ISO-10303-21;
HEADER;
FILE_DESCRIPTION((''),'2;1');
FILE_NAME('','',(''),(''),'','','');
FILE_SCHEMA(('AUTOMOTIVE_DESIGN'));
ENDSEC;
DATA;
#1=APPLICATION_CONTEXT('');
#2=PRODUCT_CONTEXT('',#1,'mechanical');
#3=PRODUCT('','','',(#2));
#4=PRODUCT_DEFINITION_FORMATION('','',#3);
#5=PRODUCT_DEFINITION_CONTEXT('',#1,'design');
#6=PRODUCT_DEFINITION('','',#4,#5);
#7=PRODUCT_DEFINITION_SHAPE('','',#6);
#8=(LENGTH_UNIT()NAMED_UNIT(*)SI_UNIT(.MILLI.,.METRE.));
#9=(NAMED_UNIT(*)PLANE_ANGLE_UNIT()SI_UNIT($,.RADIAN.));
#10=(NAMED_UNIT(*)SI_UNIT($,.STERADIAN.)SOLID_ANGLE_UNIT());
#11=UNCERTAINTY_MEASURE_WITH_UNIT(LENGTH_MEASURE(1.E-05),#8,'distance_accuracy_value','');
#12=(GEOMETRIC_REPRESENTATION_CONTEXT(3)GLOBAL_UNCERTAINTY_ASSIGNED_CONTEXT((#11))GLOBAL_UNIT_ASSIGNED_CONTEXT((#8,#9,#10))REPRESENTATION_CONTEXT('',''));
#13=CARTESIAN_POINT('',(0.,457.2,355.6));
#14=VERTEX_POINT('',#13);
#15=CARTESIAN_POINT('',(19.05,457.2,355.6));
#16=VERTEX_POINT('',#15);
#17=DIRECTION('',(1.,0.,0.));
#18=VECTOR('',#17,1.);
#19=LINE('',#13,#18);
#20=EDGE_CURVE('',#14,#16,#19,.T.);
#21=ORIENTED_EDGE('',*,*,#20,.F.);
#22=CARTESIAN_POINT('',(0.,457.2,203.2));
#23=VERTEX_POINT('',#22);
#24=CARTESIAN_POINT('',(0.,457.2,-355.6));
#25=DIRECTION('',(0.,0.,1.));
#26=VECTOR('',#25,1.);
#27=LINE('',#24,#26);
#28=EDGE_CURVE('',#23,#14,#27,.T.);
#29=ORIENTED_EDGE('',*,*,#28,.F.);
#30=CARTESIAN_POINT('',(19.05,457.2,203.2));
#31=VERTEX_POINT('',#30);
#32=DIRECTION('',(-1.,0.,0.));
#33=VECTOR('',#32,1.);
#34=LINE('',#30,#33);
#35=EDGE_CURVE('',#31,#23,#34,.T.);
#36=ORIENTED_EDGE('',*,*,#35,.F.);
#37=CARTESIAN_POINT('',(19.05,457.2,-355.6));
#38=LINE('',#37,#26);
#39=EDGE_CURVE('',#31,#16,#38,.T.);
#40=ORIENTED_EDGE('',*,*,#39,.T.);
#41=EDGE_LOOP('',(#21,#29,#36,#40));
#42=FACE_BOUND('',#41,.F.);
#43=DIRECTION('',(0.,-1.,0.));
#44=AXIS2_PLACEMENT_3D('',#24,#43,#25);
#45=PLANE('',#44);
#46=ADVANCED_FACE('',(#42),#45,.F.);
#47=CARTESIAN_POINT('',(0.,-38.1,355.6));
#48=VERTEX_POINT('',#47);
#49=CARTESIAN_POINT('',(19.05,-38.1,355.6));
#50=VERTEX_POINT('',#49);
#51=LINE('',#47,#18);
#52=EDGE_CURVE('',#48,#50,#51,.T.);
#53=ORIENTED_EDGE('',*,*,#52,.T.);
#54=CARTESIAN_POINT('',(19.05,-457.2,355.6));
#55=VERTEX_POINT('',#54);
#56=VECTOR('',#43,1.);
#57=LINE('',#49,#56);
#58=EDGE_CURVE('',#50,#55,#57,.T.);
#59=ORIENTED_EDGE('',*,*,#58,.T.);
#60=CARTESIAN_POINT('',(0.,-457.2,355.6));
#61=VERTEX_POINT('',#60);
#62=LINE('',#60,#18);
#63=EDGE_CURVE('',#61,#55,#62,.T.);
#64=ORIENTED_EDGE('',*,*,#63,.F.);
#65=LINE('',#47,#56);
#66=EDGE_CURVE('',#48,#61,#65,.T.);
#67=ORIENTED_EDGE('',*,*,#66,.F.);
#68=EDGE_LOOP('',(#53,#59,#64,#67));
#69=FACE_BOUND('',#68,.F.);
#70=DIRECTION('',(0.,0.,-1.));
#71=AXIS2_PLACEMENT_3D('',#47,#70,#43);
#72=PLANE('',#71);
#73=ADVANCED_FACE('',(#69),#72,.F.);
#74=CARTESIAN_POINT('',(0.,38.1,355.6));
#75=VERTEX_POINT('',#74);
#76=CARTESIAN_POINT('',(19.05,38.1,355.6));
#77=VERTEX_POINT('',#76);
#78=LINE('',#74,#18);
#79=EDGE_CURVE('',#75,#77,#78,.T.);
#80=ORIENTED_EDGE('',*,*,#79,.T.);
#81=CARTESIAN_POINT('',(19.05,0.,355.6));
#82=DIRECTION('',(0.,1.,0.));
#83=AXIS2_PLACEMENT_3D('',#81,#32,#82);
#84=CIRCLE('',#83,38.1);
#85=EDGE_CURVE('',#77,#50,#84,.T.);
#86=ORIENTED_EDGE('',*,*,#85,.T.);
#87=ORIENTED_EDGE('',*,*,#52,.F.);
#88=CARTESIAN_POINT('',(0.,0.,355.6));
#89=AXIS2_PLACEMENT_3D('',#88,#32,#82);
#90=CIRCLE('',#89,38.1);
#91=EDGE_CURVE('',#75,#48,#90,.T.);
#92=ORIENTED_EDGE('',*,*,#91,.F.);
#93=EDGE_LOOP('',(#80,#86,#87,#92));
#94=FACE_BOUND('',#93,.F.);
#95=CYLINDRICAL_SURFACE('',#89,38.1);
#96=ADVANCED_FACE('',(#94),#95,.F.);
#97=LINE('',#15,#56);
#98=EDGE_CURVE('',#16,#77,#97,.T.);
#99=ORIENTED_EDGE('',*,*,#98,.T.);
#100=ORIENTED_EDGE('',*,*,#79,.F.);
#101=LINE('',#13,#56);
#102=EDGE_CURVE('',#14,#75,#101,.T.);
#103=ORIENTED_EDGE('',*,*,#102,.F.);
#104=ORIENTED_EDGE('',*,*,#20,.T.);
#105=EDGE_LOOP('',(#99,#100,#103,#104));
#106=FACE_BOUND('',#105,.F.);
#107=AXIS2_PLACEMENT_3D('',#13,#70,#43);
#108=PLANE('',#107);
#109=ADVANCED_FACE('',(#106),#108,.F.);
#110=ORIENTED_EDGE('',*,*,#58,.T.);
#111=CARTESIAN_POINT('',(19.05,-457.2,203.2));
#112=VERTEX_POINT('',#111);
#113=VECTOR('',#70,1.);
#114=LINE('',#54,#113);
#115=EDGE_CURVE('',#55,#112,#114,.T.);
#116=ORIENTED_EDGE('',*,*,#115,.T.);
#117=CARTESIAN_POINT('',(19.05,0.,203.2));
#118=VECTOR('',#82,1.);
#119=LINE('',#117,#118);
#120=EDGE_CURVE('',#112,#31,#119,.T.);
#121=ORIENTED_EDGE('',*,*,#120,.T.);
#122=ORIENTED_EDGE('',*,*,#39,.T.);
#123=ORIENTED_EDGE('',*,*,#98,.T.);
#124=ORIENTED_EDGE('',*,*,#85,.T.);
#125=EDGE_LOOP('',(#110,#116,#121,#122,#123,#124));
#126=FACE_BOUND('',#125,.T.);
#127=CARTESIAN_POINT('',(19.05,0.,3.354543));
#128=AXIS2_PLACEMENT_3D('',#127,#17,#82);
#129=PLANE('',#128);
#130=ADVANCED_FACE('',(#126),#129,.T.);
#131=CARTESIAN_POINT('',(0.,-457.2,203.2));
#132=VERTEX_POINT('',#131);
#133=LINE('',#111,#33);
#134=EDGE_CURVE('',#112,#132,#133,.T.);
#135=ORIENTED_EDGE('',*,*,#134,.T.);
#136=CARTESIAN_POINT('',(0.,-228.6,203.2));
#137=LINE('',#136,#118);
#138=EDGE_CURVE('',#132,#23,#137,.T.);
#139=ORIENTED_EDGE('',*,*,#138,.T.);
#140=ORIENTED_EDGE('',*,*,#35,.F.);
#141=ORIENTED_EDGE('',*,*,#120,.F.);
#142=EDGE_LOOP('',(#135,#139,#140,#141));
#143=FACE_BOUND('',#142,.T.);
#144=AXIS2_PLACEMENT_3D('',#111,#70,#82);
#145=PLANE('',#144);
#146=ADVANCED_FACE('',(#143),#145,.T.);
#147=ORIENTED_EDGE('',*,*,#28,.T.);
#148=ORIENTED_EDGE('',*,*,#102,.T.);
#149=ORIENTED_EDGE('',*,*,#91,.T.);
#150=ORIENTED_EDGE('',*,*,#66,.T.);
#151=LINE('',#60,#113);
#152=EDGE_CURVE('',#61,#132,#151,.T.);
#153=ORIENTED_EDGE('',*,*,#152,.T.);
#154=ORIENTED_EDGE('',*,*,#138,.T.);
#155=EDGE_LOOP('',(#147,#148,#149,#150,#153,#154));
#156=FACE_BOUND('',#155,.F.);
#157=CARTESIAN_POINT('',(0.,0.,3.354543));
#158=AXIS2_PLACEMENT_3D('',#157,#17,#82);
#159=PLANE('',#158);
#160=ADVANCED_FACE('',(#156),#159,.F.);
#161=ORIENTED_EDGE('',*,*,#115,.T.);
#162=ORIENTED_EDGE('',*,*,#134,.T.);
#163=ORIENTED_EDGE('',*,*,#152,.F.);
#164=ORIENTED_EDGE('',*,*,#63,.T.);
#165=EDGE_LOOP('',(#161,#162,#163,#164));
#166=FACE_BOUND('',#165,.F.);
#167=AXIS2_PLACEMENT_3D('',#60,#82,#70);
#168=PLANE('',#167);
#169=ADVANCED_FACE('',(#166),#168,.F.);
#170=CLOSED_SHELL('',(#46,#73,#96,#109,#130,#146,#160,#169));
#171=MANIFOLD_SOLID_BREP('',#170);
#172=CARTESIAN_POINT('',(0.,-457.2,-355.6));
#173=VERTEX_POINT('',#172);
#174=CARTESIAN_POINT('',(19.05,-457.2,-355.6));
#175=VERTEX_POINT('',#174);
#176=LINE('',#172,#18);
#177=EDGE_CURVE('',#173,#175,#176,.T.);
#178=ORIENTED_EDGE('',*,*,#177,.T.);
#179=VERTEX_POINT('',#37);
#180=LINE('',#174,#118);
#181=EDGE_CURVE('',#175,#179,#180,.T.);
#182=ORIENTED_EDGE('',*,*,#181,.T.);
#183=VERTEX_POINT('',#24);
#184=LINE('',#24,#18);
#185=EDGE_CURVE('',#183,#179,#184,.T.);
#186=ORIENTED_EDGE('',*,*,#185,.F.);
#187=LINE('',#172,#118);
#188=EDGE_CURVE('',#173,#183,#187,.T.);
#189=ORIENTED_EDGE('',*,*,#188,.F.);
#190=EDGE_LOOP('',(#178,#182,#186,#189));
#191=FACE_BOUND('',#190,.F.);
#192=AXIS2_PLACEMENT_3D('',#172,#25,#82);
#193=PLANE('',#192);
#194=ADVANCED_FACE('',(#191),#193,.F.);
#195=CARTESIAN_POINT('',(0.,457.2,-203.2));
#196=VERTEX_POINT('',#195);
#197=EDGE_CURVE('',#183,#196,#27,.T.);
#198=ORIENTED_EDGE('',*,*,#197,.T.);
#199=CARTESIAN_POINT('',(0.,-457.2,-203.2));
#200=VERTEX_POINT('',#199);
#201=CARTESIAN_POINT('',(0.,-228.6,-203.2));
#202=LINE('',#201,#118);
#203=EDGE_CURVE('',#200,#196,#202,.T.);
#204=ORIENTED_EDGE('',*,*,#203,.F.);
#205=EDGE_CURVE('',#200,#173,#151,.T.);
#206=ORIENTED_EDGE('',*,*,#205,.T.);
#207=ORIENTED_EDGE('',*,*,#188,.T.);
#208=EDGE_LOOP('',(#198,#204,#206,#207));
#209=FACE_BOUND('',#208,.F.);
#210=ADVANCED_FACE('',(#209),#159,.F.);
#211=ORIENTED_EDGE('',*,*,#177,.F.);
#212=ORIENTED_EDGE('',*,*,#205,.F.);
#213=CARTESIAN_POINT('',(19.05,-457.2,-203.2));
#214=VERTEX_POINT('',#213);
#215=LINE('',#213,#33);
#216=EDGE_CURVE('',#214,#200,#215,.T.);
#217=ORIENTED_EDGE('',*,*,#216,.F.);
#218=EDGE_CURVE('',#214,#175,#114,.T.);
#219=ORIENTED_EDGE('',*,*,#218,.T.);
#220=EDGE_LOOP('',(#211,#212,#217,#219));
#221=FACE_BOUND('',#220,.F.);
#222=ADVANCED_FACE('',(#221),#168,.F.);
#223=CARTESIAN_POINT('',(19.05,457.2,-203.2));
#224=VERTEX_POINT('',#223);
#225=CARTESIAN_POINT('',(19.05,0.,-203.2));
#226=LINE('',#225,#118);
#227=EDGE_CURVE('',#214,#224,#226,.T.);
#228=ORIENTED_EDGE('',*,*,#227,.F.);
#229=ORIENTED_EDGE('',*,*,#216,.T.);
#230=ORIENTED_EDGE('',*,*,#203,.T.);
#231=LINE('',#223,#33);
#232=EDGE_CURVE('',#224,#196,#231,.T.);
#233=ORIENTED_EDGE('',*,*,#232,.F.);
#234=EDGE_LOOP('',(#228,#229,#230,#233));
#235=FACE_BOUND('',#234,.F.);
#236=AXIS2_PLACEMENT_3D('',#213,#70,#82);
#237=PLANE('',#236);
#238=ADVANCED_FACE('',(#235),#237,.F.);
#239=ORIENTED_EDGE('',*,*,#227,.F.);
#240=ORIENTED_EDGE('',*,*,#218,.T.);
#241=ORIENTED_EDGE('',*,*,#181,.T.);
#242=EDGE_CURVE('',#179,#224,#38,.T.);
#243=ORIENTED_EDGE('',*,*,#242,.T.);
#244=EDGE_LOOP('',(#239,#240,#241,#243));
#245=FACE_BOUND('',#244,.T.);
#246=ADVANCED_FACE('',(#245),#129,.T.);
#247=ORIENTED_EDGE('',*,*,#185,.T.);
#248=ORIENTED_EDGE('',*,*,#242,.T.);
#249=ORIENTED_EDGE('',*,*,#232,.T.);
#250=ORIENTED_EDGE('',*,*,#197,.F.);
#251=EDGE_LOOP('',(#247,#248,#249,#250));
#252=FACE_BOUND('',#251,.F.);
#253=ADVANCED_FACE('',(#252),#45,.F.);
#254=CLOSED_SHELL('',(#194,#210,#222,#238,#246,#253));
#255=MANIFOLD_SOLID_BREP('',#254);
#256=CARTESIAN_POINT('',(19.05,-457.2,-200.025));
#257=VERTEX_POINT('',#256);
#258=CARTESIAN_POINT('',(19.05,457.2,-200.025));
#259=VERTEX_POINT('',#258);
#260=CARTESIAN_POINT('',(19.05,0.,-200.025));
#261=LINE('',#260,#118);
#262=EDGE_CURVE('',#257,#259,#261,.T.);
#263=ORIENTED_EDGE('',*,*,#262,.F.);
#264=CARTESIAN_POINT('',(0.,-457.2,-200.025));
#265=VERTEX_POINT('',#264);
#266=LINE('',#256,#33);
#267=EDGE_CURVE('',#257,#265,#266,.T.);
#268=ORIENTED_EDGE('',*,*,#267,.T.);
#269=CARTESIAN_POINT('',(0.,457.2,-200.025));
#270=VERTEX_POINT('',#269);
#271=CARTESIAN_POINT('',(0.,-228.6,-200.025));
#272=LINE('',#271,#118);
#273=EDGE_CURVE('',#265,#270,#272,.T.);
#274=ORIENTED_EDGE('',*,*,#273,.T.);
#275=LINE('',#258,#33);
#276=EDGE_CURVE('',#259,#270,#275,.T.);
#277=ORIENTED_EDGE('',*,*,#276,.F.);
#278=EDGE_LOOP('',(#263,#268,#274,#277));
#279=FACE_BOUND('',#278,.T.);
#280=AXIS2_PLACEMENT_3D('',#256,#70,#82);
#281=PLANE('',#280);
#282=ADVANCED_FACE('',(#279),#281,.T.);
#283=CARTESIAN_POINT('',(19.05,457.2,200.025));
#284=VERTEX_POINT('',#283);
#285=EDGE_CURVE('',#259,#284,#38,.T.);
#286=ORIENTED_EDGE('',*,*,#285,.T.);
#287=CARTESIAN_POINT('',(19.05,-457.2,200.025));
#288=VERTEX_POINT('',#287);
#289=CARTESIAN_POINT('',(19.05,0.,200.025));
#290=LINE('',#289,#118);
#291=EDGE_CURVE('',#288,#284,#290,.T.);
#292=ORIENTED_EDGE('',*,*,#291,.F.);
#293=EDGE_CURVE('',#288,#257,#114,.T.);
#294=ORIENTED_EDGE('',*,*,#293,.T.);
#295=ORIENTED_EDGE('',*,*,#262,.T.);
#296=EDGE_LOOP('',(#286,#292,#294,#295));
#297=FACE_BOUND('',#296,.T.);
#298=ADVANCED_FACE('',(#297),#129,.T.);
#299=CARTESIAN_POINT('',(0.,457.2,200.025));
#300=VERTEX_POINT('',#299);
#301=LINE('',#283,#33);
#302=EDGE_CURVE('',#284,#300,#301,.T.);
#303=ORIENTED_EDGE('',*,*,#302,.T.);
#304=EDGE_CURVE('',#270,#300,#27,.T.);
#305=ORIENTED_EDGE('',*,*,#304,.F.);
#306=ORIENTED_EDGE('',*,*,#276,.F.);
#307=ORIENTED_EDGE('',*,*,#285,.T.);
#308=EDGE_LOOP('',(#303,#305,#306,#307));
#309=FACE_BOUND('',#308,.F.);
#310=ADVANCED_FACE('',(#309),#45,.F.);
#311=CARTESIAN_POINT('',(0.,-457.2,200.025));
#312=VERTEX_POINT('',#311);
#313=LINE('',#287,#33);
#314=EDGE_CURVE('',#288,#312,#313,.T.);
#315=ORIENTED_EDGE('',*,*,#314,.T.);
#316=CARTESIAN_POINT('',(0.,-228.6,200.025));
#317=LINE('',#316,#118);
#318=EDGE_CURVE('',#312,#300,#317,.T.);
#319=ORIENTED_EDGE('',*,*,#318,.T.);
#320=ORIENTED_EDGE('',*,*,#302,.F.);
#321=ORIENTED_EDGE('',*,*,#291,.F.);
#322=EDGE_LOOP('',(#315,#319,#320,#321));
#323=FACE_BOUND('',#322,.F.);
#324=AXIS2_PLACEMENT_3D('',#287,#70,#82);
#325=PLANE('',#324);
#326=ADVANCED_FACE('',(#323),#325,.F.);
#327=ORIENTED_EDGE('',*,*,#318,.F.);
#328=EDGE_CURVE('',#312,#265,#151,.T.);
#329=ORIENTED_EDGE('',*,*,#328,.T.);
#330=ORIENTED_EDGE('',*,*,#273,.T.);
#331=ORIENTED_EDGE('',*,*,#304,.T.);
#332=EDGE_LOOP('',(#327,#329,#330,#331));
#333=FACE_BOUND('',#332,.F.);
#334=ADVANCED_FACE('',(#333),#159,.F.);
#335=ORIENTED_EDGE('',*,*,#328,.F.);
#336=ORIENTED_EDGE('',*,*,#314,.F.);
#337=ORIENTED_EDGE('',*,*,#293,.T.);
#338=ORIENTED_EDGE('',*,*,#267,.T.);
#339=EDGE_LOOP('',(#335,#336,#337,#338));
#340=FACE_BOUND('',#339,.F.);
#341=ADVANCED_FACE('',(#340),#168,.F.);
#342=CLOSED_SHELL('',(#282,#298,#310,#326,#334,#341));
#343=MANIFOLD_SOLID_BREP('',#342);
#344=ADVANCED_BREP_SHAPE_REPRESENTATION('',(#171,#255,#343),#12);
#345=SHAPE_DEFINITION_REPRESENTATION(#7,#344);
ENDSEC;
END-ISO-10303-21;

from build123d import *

# Parameters (mm, degrees)
F1_DEPTH = 19.05
F2_W     = 914.4
F2_H     = 3.175
F3_DEPTH = 25.4


with BuildPart() as f1:
    # F0 (on Right) → F1 (new body)
    with BuildSketch(Plane.YZ):
        with BuildLine():
            Line((457.2, -355.6), (457.2, 355.6))
            Line((457.2, 355.6), (38.1, 355.6))
            ThreePointArc((38.1, 355.6), (0, 317.5), (-38.1, 355.6))
            Line((-38.1, 355.6), (-457.2, 355.6))
            Line((-457.2, 355.6), (-457.2, -355.6))
            Line((-457.2, -355.6), (457.2, -355.6))
        make_face()
    extrude(amount=F1_DEPTH)

    # F2 (on face) → F3 (cut)
    with BuildSketch(Plane.YZ.offset(19.05)):
        with Locations((0, 201.6125)):
            Rectangle(F2_W, F2_H)
        with Locations((0, -201.6125)):
            Rectangle(F2_W, F2_H)
    extrude(amount=-F3_DEPTH, mode=Mode.SUBTRACT)


solid = f1.part
